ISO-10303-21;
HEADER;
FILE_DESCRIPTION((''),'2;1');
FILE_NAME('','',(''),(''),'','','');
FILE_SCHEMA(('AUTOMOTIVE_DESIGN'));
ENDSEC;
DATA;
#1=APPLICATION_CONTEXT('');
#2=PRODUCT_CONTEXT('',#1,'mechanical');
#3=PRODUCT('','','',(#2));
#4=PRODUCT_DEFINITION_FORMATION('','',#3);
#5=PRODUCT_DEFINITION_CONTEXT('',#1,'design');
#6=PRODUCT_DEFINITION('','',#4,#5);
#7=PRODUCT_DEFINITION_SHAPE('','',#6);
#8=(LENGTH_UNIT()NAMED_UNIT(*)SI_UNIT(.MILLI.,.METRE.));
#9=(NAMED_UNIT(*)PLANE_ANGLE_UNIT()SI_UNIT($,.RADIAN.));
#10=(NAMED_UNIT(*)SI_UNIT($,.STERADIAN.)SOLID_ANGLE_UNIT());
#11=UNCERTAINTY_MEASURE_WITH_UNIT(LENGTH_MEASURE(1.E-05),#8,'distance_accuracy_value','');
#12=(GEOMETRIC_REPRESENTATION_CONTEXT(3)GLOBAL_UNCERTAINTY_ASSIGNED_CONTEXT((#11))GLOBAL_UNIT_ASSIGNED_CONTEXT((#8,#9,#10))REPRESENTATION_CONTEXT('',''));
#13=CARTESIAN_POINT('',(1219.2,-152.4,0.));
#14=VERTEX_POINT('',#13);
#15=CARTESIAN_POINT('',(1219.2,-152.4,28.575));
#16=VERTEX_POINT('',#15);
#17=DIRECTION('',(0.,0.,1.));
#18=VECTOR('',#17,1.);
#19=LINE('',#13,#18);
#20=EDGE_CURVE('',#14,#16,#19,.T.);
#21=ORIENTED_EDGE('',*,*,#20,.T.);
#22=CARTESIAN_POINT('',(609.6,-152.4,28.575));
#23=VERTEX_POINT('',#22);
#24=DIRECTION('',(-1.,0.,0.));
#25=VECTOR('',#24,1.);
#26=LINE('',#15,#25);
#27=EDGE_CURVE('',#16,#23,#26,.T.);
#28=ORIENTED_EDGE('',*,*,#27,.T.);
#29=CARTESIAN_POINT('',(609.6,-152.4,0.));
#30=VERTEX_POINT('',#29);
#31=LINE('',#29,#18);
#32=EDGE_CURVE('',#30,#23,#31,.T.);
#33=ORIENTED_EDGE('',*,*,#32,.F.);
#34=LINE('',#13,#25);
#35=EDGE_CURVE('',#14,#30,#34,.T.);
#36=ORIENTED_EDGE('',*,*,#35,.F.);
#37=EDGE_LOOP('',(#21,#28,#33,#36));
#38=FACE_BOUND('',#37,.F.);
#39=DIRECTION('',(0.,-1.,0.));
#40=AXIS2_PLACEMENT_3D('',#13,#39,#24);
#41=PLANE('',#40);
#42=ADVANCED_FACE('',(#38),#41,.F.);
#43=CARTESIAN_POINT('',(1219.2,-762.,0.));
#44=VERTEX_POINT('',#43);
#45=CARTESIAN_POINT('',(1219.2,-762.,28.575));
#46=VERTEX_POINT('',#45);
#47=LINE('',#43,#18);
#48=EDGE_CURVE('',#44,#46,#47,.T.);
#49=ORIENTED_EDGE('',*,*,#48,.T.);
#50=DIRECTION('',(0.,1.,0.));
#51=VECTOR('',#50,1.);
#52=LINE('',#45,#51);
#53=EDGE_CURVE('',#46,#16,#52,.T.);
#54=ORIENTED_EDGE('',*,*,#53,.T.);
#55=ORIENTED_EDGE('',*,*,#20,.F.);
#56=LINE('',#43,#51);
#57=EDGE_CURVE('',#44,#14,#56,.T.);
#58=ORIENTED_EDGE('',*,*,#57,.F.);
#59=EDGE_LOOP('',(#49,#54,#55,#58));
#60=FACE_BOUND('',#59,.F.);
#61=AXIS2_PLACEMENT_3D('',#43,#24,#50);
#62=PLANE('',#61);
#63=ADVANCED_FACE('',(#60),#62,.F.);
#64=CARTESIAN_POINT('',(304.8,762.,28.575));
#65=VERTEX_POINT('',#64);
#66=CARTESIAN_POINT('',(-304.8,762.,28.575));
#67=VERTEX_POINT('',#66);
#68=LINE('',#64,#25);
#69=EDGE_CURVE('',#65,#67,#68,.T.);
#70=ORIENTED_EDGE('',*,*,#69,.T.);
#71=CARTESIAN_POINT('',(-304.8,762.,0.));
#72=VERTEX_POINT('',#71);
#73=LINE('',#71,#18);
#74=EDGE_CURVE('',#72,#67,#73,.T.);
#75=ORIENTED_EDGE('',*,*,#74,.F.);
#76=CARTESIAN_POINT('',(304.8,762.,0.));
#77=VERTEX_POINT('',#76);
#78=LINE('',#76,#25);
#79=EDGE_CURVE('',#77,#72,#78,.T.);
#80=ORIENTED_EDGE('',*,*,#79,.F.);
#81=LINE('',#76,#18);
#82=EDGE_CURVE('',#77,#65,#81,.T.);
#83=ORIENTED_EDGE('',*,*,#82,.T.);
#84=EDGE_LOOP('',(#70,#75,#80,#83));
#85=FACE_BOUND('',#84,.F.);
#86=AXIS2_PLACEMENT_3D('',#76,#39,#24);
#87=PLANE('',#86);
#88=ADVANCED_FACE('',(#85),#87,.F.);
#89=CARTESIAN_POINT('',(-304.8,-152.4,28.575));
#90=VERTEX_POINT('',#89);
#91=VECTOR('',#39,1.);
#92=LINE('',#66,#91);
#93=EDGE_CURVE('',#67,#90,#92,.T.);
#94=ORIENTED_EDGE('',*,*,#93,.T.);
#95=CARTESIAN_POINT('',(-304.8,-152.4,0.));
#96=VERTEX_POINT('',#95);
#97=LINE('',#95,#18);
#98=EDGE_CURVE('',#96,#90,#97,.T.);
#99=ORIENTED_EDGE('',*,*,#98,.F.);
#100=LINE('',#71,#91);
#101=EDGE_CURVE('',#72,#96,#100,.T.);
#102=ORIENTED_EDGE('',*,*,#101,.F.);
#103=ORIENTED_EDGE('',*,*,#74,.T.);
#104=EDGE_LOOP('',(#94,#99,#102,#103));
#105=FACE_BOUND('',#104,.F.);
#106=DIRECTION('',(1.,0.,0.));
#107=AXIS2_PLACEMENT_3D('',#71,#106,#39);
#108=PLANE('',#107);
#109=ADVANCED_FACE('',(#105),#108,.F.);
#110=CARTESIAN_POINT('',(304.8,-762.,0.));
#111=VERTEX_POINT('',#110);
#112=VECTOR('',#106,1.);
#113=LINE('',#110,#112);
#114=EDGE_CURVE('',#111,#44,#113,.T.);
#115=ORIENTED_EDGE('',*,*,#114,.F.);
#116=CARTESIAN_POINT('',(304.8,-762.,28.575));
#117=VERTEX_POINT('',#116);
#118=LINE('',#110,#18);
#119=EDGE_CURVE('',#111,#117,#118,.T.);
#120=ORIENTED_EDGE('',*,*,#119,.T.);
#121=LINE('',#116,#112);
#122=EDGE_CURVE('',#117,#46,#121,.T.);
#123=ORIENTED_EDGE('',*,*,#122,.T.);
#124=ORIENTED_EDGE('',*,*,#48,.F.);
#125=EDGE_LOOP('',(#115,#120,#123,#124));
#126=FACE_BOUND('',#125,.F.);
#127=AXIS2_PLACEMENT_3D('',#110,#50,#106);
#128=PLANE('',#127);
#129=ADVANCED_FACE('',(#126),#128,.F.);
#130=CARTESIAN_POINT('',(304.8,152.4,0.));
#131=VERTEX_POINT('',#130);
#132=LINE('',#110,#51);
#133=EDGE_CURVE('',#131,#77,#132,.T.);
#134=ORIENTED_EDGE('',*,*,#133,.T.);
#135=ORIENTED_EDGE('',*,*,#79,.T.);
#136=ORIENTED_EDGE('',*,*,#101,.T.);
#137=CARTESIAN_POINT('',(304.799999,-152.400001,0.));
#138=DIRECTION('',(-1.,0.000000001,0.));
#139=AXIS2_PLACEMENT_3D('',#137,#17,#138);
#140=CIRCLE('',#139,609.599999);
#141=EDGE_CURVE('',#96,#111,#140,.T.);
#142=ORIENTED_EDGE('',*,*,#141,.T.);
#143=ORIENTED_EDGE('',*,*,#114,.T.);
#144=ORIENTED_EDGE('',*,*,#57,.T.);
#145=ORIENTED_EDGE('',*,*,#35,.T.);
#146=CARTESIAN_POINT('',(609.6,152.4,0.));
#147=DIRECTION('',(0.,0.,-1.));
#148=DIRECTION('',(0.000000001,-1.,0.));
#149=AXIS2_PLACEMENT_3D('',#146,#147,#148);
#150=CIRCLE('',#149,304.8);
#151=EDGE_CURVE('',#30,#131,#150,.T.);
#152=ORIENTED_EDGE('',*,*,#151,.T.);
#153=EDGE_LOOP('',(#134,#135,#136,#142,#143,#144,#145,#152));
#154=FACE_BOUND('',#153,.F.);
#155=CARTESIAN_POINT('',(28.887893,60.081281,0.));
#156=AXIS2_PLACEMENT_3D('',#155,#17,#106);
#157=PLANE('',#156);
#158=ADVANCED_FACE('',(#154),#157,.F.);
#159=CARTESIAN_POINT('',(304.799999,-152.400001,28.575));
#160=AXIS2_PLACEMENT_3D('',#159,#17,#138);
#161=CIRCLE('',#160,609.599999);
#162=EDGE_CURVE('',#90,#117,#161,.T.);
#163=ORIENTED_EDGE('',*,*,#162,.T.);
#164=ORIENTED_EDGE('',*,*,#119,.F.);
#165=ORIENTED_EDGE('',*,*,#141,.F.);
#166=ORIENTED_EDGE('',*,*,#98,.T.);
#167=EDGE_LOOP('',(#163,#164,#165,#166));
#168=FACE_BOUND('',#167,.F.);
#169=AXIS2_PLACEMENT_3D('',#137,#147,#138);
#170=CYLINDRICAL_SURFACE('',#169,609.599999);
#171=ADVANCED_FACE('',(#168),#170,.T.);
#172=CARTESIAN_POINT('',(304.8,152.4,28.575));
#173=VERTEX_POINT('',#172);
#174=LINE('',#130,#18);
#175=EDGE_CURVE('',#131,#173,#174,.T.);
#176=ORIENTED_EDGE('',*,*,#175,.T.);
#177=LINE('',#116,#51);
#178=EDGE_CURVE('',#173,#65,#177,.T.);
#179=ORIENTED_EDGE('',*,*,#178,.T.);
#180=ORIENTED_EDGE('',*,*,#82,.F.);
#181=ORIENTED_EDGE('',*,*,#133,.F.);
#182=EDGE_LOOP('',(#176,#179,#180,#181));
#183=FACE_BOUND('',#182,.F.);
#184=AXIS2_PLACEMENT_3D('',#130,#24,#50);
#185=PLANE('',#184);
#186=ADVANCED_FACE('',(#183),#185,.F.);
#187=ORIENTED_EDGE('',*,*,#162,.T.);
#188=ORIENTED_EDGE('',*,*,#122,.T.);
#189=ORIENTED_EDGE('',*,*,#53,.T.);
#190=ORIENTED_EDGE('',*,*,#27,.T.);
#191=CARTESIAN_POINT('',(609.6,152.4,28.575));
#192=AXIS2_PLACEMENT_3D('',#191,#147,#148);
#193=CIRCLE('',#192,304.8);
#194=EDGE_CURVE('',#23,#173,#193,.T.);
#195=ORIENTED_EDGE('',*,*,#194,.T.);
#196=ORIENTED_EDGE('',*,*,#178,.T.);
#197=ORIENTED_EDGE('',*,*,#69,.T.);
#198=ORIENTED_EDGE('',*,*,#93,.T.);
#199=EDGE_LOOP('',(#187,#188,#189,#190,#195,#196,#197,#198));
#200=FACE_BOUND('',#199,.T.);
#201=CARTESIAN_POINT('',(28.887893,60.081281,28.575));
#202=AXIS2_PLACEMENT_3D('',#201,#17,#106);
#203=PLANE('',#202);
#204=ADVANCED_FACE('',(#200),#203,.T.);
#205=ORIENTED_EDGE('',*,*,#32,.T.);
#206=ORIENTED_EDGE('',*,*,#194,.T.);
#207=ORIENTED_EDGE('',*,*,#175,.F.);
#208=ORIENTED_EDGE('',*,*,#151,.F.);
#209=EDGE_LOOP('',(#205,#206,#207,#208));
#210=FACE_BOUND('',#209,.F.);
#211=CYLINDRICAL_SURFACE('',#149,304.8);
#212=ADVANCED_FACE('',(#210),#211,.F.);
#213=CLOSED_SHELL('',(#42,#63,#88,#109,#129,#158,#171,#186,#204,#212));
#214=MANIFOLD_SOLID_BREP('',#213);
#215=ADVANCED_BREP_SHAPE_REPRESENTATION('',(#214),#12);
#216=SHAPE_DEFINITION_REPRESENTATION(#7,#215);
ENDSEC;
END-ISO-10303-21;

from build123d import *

# Parameters (mm, degrees)
F1_DEPTH = 28.575


with BuildPart() as f1:
    # F0 (on Top) → F1 (new body)
    with BuildSketch(Plane.XY):
        with BuildLine():
            Line((304.8, 152.4), (304.8, 762))
            Line((304.8, 762), (-304.8, 762))
            Line((-304.8, 762), (-304.8, -152.4))
            ThreePointArc((-304.8, -152.4), (-126.252294, -583.452294), (304.8, -762))
            Line((304.8, -762), (304.8, -152.4))
            Line((304.8, -152.4), (304.8, 152.4))
        make_face()
        Polygon((609.6, -152.4), (304.8, -152.4), (304.8, -762), (1219.2, -762), (1219.2, -152.4), align=None)
        with BuildLine():
            ThreePointArc((609.6, -152.4), (394.073853, -63.126147), (304.8, 152.4))
            Line((304.8, 152.4), (304.8, -152.4))
            Line((304.8, -152.4), (609.6, -152.4))
        make_face()
    extrude(amount=F1_DEPTH)


solid = f1.part
